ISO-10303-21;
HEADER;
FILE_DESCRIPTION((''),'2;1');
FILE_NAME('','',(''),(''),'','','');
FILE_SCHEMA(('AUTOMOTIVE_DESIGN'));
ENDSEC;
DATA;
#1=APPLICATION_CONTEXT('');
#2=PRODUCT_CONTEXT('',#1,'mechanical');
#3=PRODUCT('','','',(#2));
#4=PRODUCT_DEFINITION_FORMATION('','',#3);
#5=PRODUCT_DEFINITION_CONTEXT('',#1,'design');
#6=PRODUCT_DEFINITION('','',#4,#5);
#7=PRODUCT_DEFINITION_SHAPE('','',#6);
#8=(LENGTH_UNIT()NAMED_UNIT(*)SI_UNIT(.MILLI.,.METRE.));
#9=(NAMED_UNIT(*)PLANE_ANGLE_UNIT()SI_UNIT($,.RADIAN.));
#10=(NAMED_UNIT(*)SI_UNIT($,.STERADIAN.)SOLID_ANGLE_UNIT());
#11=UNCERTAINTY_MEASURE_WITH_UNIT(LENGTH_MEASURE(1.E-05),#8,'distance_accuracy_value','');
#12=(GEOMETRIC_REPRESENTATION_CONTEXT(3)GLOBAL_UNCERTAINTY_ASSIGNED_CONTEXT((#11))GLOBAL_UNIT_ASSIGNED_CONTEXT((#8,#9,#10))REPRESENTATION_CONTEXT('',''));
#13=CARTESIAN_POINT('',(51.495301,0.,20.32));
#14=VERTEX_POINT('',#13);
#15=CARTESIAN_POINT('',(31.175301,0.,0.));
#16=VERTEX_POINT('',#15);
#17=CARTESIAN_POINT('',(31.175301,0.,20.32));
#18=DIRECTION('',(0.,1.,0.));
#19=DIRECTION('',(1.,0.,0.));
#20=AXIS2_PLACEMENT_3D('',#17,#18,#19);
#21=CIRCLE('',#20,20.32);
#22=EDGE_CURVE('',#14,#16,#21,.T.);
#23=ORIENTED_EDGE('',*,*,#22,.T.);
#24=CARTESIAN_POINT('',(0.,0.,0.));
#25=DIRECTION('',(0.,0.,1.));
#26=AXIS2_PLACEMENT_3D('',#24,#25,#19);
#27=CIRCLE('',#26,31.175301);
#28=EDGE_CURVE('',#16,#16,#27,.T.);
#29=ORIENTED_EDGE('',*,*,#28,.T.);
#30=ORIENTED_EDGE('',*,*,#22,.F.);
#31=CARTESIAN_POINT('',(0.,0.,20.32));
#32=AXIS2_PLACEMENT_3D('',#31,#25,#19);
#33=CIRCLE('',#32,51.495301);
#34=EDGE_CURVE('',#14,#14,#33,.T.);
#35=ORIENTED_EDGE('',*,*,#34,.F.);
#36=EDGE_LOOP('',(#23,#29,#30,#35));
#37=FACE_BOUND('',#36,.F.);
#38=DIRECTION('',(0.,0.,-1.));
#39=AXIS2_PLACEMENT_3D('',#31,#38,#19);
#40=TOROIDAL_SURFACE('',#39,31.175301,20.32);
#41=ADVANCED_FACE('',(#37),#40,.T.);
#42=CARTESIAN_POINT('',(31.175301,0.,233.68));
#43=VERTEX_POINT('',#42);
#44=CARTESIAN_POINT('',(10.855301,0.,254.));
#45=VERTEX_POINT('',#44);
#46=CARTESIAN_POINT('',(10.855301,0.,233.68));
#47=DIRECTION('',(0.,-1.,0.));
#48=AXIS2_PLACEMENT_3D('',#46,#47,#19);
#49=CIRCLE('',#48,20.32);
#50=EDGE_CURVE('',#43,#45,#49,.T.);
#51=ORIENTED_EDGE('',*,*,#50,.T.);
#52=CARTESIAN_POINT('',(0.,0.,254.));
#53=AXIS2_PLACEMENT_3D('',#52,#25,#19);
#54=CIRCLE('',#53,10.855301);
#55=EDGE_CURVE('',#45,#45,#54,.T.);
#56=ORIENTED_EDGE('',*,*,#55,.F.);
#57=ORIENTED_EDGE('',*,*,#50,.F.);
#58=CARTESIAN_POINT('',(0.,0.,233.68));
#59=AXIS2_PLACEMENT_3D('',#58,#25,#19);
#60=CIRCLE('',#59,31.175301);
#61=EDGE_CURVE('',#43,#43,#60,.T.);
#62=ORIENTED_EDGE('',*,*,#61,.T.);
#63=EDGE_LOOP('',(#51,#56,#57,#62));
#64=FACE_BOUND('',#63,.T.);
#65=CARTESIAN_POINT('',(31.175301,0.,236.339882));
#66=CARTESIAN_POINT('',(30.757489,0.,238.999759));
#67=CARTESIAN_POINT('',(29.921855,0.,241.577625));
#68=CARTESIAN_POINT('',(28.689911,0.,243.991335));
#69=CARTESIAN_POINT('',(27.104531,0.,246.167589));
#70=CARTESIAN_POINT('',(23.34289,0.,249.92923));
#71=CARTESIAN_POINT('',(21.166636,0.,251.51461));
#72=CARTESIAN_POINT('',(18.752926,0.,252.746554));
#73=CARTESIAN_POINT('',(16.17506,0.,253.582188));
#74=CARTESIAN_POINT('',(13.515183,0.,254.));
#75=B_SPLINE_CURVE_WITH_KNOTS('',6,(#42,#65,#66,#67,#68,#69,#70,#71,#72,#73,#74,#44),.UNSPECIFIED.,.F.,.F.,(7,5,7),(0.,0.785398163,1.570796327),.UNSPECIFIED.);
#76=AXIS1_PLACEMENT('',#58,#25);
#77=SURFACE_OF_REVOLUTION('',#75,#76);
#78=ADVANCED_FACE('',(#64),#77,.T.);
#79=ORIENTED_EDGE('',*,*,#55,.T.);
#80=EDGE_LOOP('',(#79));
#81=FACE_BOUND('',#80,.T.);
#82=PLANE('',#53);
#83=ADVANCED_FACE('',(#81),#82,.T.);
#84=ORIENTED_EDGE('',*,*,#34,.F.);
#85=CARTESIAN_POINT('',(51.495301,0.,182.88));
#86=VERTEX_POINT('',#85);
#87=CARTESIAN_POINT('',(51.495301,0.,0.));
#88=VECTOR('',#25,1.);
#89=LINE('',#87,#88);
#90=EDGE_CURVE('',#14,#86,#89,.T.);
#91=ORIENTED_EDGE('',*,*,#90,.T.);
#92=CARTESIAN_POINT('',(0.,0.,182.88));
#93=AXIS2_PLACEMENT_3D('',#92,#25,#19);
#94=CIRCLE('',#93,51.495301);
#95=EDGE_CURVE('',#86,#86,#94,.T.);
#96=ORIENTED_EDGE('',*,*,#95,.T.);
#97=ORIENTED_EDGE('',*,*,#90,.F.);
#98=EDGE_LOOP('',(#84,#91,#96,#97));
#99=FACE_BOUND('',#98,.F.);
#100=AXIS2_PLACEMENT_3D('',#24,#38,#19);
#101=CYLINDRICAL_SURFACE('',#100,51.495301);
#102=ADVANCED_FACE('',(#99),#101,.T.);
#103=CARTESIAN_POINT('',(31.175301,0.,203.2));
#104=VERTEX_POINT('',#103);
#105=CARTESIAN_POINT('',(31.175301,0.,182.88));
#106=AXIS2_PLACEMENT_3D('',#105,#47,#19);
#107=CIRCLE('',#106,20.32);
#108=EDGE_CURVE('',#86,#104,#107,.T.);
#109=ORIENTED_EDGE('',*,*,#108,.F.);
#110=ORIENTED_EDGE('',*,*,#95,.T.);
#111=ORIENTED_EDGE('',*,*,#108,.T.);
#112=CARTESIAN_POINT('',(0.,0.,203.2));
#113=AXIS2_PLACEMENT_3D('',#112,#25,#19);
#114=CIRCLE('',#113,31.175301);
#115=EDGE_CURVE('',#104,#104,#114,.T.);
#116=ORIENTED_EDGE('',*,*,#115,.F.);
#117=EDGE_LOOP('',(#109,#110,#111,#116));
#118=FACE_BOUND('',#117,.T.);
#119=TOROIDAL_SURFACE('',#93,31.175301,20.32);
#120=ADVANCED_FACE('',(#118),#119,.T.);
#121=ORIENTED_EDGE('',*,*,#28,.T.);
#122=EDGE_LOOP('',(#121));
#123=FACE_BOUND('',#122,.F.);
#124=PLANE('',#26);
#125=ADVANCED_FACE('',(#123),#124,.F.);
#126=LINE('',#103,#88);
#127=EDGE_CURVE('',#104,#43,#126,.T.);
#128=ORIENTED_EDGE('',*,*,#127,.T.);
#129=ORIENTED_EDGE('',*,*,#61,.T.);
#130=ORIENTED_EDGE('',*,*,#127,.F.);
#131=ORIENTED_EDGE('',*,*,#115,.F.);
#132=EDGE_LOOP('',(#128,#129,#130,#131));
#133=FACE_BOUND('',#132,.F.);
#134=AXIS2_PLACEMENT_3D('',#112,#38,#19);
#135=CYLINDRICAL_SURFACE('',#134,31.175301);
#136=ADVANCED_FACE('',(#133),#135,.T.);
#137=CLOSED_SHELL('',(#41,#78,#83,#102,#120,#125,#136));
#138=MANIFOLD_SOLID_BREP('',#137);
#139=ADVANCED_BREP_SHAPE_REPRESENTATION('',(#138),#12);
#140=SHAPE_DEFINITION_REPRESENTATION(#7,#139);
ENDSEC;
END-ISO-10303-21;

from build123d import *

# Parameters (mm, degrees)
F0_R     = 51.4953011057
F1_DEPTH = 203.2
F2_R     = 20.32
F3_DEPTH = 50.8
F4_R     = 20.32


with BuildPart() as f1:
    # F0 (on Top) → F1 (new body)
    with BuildSketch(Plane.XY):
        Circle(F0_R)
    extrude(amount=F1_DEPTH)

    # F2
    f2_edges = [f1.edges().sort_by_distance(p)[0] for p in [
        (-51.495301, 0, 0),
        (-51.495301, 0, 203.2),
    ]]
    fillet(f2_edges, radius=F2_R)

    # F3 (add): a face of the model
    f3_faces = [f1.faces().sort_by_distance(p)[0] for p in [
        (0, 0, 203.2),
    ]]
    extrude(f3_faces, amount=F3_DEPTH)

    # F4
    f4_edges = [f1.edges().sort_by_distance(p)[0] for p in [
        (-31.175301, 0, 254),
    ]]
    fillet(f4_edges, radius=F4_R)


solid = f1.part
